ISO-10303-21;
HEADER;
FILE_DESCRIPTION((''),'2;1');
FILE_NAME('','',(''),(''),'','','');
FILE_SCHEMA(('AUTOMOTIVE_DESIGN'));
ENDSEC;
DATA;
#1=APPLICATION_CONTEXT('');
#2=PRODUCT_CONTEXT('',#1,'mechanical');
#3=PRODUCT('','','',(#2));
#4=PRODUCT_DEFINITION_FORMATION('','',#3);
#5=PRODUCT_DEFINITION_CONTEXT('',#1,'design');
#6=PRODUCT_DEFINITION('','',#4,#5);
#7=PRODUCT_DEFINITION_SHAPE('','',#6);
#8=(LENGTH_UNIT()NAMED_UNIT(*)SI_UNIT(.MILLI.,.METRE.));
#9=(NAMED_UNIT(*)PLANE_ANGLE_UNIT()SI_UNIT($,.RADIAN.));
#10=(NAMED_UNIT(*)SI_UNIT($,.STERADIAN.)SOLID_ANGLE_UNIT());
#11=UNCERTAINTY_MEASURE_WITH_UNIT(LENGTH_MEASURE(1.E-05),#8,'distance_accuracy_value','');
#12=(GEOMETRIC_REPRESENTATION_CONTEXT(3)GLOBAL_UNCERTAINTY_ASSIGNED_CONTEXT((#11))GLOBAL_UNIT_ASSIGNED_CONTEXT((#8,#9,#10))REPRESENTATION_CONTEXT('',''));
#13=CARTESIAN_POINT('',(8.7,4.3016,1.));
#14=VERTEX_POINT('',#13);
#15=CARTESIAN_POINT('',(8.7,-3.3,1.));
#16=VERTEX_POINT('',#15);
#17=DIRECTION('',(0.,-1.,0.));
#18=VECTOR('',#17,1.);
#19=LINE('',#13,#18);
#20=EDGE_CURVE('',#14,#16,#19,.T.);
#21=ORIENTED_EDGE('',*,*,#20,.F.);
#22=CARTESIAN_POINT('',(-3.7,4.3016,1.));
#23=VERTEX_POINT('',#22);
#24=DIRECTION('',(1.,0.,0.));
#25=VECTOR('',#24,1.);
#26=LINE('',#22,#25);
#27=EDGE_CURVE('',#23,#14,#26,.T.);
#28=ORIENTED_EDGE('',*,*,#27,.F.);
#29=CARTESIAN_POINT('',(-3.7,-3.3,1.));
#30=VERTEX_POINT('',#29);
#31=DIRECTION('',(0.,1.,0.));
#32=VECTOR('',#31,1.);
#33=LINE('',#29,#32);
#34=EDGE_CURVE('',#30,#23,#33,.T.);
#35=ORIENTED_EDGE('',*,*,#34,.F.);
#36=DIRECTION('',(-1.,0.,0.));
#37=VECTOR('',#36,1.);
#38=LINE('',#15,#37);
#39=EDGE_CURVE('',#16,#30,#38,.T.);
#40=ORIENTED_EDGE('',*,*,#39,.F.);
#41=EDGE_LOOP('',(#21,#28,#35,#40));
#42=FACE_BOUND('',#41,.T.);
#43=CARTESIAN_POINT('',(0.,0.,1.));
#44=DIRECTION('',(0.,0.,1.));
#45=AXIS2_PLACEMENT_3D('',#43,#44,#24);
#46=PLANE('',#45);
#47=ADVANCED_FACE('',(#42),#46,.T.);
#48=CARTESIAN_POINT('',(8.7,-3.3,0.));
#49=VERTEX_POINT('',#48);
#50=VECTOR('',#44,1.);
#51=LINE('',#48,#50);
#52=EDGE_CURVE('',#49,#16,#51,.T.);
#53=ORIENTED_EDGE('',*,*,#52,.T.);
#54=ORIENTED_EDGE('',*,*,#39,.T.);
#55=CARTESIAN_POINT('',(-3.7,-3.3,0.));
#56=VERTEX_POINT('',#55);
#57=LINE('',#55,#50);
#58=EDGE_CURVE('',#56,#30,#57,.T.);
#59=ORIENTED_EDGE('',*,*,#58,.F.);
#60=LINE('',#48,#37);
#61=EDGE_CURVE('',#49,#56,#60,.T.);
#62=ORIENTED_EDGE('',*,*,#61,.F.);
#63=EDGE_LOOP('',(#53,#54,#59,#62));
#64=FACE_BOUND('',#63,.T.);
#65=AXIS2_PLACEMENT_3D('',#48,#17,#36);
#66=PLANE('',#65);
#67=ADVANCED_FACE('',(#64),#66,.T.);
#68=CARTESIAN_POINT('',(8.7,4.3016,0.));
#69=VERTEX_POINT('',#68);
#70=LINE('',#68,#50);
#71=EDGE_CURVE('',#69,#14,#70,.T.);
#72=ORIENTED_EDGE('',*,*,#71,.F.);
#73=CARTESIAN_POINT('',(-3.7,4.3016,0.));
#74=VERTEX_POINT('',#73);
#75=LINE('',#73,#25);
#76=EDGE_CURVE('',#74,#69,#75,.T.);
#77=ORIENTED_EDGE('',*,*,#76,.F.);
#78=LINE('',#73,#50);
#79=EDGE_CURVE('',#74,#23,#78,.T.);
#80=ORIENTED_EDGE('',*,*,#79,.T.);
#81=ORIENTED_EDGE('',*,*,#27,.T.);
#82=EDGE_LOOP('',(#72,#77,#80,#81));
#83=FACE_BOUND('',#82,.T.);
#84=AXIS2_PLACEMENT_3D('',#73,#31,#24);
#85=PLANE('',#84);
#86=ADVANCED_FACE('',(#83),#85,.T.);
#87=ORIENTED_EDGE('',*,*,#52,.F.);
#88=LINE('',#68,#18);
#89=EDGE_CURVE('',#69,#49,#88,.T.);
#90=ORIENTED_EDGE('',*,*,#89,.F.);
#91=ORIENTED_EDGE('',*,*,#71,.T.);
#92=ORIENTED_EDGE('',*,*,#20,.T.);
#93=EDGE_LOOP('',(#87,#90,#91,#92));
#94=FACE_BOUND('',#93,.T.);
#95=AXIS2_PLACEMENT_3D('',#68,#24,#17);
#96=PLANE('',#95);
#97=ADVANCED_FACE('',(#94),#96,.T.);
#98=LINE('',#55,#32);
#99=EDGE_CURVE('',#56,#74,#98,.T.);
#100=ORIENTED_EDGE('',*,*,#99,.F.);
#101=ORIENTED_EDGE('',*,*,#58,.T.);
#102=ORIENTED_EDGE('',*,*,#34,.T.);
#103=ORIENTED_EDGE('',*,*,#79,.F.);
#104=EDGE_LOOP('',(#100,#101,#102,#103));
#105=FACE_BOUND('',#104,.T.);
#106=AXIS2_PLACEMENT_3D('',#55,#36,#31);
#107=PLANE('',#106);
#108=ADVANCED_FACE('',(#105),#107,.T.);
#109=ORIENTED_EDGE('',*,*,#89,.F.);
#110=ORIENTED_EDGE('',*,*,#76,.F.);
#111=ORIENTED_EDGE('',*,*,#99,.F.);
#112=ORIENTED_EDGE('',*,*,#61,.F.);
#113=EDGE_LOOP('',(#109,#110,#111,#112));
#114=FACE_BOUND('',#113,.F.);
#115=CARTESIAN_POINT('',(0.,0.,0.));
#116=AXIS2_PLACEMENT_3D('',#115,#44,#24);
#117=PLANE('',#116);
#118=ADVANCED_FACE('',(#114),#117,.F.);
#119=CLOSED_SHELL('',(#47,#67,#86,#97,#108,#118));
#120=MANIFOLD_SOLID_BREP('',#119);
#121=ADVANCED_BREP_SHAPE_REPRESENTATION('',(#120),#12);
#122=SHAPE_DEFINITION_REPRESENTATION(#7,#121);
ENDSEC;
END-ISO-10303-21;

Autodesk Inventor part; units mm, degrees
ref_plane "YZ Plane" through (0, 0, 0) normal (1, 0, 0) x (0, 1, 0)
ref_plane "XZ Plane" through (0, 0, 0) normal (0, 1, 0) x (-1, 0, 0)
ref_plane "XY Plane" through (0, 0, 0) normal (0, 0, 1) x (1, 0, 0)
sketch "SCREWTERMINAL-5MM-2, J4_SCREWTERMINAL-5MM-2_30" plane through (0, 0, 0) normal (0, 0, 1) x (1, 0, 0)
  line L0 (-3.7, 4.3016) -> (8.7, 4.3016)
  line L1 (8.7, 4.3016) -> (8.7, -3.3)
  line L2 (8.7, -3.3) -> (-3.7, -3.3)
  line L3 (-3.7, -3.3) -> (-3.7, 4.3016)
extrude "Extrusion1" add sketch "SCREWTERMINAL-5MM-2, J4_SCREWTERMINAL-5MM-2_30" along normal blind 1
properties part number "J4_SCREWTERMINAL-5MM-2"
